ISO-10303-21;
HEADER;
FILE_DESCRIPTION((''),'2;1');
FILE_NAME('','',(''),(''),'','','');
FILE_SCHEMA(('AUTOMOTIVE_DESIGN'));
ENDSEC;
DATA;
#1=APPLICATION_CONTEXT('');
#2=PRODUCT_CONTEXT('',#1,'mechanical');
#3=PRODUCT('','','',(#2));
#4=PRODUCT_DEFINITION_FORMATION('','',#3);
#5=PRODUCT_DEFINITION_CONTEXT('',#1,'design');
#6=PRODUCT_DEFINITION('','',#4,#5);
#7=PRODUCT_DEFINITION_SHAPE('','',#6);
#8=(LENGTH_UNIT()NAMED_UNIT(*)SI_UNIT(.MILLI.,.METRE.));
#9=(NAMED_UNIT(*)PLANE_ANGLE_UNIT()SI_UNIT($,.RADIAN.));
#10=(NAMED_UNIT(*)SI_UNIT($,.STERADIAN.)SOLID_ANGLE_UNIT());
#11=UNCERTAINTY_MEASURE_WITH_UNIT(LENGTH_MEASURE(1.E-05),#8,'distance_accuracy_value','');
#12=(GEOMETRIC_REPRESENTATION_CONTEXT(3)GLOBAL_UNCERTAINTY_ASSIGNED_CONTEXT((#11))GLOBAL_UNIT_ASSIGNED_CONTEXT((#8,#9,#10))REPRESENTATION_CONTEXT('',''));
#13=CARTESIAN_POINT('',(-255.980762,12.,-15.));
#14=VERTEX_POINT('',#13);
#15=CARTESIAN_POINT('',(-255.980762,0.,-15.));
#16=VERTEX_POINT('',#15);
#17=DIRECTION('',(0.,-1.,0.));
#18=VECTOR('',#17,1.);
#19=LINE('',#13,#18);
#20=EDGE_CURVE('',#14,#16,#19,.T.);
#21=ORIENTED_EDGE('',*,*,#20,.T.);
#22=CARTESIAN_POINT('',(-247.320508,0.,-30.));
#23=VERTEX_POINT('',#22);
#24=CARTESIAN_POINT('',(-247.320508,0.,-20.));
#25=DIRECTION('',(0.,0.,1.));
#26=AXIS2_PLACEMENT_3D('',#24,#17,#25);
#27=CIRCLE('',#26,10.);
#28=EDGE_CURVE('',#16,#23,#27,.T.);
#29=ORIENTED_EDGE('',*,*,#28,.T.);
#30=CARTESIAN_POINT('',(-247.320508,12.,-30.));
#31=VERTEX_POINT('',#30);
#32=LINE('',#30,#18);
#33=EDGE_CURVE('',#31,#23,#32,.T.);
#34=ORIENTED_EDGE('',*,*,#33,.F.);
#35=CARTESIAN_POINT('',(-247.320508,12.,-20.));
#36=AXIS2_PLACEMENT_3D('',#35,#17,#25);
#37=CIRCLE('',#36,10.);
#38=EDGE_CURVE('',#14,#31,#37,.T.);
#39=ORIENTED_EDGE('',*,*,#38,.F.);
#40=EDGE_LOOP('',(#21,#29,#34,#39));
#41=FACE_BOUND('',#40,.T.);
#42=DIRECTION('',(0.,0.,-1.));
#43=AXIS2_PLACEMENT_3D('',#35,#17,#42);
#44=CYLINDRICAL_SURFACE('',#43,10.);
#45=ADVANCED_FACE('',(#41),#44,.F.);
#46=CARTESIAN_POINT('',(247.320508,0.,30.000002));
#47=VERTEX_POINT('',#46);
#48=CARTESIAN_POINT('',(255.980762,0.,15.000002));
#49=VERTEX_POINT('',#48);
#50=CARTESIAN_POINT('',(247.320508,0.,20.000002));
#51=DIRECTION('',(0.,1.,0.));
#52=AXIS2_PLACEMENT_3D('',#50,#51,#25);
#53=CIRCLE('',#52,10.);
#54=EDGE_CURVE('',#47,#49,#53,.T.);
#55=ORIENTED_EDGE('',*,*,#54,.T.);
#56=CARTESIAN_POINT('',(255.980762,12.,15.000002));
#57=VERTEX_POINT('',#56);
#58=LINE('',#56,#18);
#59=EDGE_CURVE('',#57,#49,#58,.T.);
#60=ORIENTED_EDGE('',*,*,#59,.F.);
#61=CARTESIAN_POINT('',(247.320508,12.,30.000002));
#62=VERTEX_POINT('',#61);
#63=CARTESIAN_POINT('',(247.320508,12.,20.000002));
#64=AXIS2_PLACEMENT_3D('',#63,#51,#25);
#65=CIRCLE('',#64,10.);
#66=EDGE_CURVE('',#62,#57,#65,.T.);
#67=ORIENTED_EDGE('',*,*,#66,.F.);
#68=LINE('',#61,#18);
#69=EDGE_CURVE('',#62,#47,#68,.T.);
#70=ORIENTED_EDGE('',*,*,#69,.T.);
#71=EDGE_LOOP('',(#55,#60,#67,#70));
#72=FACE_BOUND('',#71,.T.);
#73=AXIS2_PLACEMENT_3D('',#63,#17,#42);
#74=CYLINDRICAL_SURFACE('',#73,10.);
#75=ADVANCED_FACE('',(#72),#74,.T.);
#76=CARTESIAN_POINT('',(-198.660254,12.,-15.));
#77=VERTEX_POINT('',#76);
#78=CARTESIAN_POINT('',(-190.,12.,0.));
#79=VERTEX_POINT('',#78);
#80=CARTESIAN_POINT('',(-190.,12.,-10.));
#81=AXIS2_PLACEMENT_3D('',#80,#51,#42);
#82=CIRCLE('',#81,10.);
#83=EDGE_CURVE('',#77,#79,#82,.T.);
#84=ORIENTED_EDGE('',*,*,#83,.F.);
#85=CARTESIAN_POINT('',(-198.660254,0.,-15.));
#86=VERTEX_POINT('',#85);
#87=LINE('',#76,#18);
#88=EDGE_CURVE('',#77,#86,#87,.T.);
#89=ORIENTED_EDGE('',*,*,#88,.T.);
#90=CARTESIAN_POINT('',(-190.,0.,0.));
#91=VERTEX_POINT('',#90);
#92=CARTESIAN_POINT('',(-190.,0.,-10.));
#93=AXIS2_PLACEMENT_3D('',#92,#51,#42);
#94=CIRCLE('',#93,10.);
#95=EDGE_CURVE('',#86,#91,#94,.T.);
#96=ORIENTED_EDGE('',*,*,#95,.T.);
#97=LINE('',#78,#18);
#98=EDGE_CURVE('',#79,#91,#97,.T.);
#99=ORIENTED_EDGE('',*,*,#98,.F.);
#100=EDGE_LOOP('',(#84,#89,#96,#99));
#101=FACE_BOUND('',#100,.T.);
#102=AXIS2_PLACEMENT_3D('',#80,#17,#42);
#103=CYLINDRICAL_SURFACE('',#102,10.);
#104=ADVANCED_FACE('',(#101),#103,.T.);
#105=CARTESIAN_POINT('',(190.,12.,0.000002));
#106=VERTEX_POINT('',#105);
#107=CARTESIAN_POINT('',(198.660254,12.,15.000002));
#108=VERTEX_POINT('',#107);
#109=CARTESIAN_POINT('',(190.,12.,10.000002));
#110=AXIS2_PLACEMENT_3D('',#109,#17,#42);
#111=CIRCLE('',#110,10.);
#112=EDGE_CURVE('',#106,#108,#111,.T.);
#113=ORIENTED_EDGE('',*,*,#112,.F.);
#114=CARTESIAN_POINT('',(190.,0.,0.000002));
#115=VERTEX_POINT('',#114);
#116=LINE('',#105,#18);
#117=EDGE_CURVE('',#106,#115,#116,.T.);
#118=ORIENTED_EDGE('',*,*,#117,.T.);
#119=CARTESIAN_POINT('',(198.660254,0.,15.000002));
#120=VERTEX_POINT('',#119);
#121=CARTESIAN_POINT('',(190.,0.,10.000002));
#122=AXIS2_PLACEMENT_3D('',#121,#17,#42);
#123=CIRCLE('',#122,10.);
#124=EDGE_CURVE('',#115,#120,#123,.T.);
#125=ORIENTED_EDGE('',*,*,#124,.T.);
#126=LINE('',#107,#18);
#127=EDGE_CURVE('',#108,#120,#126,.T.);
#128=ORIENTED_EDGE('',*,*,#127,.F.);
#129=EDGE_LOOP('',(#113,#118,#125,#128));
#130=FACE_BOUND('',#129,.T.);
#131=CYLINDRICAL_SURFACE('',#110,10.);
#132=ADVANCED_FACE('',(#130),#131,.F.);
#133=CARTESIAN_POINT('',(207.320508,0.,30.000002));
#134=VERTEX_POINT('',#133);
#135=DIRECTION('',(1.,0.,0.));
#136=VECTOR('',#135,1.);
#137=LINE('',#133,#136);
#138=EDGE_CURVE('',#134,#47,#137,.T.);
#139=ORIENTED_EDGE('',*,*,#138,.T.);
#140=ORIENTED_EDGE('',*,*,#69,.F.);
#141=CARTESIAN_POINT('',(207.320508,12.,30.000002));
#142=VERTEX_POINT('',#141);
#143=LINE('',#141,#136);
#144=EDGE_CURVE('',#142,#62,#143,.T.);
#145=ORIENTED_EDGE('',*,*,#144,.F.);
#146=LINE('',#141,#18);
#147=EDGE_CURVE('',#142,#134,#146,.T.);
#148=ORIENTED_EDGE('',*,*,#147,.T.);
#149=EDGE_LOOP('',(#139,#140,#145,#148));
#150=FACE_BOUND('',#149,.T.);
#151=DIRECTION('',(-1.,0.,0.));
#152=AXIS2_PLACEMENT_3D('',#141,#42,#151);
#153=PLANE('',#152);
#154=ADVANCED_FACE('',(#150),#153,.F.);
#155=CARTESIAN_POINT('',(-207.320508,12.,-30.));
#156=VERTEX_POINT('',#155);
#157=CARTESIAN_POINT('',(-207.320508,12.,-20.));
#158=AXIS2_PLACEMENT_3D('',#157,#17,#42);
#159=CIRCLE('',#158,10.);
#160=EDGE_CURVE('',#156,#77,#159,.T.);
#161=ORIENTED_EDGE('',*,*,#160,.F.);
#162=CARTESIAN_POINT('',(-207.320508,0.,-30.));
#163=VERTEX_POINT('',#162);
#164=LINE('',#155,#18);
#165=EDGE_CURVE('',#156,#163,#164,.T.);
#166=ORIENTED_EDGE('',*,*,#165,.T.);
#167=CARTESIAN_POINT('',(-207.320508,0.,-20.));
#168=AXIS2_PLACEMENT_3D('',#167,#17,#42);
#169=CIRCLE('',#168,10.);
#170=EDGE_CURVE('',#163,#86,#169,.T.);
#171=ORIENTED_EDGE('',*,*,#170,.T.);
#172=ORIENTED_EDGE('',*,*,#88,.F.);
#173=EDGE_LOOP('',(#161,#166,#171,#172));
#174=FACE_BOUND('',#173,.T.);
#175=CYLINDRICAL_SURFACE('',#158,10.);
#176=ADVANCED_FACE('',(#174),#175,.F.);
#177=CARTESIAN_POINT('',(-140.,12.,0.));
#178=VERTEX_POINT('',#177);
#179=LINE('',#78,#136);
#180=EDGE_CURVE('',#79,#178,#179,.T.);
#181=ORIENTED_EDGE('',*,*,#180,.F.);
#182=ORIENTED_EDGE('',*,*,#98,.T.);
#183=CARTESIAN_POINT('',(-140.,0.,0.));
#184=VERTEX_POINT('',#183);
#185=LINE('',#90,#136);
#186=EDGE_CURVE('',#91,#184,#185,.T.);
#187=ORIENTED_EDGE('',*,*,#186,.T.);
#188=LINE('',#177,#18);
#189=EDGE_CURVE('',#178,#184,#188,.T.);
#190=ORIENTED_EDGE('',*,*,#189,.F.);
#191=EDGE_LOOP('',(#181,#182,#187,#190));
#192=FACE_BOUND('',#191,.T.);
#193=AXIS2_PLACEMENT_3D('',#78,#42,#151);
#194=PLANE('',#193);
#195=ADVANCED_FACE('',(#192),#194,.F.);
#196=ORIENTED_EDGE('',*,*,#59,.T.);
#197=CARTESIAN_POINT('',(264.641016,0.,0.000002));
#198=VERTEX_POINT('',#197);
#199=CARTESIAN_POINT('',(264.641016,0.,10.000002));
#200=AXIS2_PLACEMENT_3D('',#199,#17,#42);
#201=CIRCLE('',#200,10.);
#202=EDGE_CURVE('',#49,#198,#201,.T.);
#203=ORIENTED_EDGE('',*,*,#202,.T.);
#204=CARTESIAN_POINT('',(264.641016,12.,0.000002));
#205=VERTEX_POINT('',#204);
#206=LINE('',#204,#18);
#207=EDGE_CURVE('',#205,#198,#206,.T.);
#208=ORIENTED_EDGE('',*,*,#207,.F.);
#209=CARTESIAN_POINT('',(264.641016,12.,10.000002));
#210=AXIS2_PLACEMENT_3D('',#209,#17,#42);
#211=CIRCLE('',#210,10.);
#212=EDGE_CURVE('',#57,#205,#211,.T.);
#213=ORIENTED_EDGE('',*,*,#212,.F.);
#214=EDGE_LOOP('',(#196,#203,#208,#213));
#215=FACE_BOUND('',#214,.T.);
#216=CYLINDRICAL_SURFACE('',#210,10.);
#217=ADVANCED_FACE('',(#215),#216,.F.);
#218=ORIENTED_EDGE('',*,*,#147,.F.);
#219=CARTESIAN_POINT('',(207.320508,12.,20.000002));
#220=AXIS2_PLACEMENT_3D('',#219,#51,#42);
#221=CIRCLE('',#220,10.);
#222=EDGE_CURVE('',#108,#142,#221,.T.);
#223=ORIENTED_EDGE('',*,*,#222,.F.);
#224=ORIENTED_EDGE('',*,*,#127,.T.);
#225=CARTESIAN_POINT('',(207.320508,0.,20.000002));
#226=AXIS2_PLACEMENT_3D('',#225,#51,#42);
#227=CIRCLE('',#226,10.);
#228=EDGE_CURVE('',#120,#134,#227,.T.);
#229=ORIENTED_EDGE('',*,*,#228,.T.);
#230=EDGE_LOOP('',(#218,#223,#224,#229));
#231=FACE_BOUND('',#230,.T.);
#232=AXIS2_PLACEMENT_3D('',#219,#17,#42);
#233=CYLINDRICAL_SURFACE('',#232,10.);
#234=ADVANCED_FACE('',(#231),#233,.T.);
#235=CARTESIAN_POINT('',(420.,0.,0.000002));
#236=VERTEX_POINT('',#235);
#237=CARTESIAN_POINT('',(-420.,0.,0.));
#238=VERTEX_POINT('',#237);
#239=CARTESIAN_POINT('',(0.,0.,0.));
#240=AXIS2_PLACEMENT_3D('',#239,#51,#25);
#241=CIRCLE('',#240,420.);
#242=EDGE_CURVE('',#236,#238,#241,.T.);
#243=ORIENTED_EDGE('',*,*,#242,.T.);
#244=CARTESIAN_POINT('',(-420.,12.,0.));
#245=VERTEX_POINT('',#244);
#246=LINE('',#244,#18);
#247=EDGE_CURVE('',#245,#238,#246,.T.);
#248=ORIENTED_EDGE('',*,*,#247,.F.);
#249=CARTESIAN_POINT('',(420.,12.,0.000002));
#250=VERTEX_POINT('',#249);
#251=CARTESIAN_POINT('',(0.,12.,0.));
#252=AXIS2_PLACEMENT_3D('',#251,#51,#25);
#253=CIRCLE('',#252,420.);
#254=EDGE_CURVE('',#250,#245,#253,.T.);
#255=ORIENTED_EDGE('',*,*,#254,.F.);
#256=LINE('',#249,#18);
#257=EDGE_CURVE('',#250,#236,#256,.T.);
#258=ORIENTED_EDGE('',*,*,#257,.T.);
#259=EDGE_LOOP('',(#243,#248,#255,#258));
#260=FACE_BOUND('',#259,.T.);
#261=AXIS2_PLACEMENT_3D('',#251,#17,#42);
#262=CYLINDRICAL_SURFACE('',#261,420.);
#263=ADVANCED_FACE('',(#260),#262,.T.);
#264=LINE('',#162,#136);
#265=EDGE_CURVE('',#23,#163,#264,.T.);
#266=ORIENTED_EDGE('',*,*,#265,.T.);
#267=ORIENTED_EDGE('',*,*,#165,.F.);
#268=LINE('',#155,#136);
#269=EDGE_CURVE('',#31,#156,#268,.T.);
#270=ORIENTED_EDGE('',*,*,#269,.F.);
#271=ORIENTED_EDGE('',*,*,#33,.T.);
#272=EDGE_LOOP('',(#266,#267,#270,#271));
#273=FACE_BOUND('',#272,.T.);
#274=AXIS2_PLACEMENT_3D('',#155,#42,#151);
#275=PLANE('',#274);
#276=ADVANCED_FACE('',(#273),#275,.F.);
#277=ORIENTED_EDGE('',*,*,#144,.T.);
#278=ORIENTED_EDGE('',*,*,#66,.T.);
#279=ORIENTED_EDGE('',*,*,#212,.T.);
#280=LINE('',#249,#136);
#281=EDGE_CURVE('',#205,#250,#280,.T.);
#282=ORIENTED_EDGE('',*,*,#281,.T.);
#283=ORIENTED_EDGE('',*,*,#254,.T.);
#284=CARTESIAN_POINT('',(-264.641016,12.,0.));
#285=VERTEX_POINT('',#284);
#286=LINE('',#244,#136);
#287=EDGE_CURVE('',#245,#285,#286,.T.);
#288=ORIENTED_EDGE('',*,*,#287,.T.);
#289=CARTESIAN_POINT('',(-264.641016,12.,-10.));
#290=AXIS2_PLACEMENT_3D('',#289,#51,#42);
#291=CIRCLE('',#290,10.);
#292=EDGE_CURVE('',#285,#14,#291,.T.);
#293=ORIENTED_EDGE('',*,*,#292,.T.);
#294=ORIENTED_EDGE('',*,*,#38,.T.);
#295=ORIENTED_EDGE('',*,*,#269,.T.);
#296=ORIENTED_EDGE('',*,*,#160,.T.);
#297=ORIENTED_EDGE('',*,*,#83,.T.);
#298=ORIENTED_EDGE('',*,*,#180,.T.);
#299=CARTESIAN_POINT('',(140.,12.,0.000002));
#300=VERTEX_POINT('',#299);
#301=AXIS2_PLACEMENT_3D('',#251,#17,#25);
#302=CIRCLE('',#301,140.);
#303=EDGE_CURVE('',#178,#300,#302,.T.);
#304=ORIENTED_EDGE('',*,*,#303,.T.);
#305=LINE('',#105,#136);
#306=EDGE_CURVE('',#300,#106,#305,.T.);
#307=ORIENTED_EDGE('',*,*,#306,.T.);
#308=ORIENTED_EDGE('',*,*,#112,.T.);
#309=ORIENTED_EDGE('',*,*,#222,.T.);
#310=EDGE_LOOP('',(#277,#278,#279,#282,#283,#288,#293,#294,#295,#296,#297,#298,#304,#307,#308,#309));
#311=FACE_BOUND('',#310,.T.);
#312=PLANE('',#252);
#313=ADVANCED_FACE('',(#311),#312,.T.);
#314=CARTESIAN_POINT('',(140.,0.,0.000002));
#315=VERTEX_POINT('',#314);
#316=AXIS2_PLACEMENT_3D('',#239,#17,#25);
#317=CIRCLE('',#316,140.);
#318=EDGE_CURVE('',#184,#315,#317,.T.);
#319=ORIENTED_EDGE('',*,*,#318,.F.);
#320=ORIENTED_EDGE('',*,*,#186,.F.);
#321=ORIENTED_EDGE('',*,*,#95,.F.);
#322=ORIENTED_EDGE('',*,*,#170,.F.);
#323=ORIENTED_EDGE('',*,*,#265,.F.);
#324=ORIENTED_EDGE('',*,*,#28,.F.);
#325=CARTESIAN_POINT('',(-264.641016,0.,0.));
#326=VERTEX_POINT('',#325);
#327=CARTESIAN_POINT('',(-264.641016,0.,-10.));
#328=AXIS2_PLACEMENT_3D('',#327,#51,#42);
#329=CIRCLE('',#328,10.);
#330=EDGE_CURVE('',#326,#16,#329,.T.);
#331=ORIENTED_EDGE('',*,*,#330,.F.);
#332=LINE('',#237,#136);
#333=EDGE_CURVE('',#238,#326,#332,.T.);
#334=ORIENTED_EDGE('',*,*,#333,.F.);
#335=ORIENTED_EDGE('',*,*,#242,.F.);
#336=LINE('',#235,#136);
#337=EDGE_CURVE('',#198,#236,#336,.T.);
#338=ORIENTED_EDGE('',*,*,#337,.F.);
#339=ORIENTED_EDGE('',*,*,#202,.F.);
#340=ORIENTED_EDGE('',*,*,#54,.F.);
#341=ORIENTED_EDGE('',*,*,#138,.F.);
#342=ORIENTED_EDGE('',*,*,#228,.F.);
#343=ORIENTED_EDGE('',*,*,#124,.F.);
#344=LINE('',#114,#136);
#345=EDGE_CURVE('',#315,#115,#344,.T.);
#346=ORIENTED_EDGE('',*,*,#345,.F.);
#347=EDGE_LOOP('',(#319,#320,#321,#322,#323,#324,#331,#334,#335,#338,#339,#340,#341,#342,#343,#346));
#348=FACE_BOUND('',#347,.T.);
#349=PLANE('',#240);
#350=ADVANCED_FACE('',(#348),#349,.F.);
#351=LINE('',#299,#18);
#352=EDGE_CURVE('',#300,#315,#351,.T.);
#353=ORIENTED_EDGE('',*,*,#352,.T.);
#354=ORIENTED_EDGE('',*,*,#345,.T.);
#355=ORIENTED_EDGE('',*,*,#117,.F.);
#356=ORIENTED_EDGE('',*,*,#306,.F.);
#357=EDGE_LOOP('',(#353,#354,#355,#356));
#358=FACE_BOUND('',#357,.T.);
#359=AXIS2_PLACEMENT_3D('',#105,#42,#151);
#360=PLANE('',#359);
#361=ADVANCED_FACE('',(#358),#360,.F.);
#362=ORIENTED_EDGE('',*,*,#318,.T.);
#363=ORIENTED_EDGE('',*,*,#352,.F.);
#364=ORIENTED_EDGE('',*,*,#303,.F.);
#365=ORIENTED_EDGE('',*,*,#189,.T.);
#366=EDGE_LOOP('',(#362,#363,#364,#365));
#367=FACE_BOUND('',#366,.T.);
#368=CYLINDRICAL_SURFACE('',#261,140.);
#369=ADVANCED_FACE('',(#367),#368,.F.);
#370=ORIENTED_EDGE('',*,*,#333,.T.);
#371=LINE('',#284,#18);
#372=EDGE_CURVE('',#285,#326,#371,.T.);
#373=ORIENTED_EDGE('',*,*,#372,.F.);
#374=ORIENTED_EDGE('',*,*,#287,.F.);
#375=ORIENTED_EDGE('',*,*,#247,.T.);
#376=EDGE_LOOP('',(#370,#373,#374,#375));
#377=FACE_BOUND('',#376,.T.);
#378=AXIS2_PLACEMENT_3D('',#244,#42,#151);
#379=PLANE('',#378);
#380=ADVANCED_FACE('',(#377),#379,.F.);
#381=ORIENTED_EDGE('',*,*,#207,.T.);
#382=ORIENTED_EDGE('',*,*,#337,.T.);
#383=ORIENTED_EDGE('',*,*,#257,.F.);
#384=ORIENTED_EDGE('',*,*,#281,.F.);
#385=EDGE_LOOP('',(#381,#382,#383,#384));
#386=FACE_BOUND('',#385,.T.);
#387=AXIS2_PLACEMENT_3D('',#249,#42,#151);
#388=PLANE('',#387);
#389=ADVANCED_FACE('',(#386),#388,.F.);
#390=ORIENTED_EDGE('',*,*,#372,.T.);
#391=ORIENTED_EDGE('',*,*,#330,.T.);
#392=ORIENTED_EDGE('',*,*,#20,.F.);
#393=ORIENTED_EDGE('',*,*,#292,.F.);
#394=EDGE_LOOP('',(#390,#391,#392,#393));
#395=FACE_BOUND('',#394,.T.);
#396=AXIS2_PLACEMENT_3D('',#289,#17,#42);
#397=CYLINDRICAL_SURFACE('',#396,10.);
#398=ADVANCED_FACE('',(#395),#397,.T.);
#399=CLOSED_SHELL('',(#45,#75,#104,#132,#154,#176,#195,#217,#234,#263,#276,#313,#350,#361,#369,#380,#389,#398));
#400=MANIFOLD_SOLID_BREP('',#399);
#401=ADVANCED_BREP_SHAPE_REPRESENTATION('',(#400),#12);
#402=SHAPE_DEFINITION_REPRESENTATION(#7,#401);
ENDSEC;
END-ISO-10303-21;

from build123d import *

# Parameters (mm, degrees)
BOSS_EXTRUDE1_DEPTH = 12


with BuildPart() as part:
    # Sketch1 → Boss-Extrude1 (new body)
    with BuildSketch(Plane(origin=(0, 0, 0), x_dir=(1, 0, 0), z_dir=(0, 1, 0))):
        with BuildLine():
            Line((-420, 0), (-264.641016151, 0))
            ThreePointArc((-264.641016151, 0), (-255.980762114, 5), (-255.980762114, 15))
            ThreePointArc((-255.980762114, 15), (-255.980762114, 25), (-247.320508076, 30))
            Line((-247.320508076, 30), (-207.320508076, 30))
            ThreePointArc((-207.320508076, 30), (-198.660254038, 25), (-198.660254038, 15))
            ThreePointArc((-198.660254038, 15), (-198.660254038, 5), (-190, 0))
            Line((-190, 0), (-140, 0))
            ThreePointArc((-140, 0), (1.07e-06, 140), (140, -2.139e-06))
            Line((140, -2.139e-06), (190, -2.149e-06))
            ThreePointArc((190, -2.149e-06), (198.660254037, -5.000002151), (198.660254035, -15.000002151))
            ThreePointArc((198.660254035, -15.000002151), (198.660254033, -25.000002151), (207.32050807, -30.000002153))
            Line((207.32050807, -30.000002153), (247.32050807, -30.000002161))
            ThreePointArc((247.32050807, -30.000002161), (255.980762108, -25.000002163), (255.98076211, -15.000002163))
            ThreePointArc((255.98076211, -15.000002163), (255.980762113, -5.000002163), (264.641016151, -2.165e-06))
            Line((264.641016151, -2.165e-06), (420, -2.196e-06))
            ThreePointArc((420, -2.196e-06), (1.098e-06, 420), (-420, 0))
        make_face()
    extrude(amount=BOSS_EXTRUDE1_DEPTH)


solid = part.part
